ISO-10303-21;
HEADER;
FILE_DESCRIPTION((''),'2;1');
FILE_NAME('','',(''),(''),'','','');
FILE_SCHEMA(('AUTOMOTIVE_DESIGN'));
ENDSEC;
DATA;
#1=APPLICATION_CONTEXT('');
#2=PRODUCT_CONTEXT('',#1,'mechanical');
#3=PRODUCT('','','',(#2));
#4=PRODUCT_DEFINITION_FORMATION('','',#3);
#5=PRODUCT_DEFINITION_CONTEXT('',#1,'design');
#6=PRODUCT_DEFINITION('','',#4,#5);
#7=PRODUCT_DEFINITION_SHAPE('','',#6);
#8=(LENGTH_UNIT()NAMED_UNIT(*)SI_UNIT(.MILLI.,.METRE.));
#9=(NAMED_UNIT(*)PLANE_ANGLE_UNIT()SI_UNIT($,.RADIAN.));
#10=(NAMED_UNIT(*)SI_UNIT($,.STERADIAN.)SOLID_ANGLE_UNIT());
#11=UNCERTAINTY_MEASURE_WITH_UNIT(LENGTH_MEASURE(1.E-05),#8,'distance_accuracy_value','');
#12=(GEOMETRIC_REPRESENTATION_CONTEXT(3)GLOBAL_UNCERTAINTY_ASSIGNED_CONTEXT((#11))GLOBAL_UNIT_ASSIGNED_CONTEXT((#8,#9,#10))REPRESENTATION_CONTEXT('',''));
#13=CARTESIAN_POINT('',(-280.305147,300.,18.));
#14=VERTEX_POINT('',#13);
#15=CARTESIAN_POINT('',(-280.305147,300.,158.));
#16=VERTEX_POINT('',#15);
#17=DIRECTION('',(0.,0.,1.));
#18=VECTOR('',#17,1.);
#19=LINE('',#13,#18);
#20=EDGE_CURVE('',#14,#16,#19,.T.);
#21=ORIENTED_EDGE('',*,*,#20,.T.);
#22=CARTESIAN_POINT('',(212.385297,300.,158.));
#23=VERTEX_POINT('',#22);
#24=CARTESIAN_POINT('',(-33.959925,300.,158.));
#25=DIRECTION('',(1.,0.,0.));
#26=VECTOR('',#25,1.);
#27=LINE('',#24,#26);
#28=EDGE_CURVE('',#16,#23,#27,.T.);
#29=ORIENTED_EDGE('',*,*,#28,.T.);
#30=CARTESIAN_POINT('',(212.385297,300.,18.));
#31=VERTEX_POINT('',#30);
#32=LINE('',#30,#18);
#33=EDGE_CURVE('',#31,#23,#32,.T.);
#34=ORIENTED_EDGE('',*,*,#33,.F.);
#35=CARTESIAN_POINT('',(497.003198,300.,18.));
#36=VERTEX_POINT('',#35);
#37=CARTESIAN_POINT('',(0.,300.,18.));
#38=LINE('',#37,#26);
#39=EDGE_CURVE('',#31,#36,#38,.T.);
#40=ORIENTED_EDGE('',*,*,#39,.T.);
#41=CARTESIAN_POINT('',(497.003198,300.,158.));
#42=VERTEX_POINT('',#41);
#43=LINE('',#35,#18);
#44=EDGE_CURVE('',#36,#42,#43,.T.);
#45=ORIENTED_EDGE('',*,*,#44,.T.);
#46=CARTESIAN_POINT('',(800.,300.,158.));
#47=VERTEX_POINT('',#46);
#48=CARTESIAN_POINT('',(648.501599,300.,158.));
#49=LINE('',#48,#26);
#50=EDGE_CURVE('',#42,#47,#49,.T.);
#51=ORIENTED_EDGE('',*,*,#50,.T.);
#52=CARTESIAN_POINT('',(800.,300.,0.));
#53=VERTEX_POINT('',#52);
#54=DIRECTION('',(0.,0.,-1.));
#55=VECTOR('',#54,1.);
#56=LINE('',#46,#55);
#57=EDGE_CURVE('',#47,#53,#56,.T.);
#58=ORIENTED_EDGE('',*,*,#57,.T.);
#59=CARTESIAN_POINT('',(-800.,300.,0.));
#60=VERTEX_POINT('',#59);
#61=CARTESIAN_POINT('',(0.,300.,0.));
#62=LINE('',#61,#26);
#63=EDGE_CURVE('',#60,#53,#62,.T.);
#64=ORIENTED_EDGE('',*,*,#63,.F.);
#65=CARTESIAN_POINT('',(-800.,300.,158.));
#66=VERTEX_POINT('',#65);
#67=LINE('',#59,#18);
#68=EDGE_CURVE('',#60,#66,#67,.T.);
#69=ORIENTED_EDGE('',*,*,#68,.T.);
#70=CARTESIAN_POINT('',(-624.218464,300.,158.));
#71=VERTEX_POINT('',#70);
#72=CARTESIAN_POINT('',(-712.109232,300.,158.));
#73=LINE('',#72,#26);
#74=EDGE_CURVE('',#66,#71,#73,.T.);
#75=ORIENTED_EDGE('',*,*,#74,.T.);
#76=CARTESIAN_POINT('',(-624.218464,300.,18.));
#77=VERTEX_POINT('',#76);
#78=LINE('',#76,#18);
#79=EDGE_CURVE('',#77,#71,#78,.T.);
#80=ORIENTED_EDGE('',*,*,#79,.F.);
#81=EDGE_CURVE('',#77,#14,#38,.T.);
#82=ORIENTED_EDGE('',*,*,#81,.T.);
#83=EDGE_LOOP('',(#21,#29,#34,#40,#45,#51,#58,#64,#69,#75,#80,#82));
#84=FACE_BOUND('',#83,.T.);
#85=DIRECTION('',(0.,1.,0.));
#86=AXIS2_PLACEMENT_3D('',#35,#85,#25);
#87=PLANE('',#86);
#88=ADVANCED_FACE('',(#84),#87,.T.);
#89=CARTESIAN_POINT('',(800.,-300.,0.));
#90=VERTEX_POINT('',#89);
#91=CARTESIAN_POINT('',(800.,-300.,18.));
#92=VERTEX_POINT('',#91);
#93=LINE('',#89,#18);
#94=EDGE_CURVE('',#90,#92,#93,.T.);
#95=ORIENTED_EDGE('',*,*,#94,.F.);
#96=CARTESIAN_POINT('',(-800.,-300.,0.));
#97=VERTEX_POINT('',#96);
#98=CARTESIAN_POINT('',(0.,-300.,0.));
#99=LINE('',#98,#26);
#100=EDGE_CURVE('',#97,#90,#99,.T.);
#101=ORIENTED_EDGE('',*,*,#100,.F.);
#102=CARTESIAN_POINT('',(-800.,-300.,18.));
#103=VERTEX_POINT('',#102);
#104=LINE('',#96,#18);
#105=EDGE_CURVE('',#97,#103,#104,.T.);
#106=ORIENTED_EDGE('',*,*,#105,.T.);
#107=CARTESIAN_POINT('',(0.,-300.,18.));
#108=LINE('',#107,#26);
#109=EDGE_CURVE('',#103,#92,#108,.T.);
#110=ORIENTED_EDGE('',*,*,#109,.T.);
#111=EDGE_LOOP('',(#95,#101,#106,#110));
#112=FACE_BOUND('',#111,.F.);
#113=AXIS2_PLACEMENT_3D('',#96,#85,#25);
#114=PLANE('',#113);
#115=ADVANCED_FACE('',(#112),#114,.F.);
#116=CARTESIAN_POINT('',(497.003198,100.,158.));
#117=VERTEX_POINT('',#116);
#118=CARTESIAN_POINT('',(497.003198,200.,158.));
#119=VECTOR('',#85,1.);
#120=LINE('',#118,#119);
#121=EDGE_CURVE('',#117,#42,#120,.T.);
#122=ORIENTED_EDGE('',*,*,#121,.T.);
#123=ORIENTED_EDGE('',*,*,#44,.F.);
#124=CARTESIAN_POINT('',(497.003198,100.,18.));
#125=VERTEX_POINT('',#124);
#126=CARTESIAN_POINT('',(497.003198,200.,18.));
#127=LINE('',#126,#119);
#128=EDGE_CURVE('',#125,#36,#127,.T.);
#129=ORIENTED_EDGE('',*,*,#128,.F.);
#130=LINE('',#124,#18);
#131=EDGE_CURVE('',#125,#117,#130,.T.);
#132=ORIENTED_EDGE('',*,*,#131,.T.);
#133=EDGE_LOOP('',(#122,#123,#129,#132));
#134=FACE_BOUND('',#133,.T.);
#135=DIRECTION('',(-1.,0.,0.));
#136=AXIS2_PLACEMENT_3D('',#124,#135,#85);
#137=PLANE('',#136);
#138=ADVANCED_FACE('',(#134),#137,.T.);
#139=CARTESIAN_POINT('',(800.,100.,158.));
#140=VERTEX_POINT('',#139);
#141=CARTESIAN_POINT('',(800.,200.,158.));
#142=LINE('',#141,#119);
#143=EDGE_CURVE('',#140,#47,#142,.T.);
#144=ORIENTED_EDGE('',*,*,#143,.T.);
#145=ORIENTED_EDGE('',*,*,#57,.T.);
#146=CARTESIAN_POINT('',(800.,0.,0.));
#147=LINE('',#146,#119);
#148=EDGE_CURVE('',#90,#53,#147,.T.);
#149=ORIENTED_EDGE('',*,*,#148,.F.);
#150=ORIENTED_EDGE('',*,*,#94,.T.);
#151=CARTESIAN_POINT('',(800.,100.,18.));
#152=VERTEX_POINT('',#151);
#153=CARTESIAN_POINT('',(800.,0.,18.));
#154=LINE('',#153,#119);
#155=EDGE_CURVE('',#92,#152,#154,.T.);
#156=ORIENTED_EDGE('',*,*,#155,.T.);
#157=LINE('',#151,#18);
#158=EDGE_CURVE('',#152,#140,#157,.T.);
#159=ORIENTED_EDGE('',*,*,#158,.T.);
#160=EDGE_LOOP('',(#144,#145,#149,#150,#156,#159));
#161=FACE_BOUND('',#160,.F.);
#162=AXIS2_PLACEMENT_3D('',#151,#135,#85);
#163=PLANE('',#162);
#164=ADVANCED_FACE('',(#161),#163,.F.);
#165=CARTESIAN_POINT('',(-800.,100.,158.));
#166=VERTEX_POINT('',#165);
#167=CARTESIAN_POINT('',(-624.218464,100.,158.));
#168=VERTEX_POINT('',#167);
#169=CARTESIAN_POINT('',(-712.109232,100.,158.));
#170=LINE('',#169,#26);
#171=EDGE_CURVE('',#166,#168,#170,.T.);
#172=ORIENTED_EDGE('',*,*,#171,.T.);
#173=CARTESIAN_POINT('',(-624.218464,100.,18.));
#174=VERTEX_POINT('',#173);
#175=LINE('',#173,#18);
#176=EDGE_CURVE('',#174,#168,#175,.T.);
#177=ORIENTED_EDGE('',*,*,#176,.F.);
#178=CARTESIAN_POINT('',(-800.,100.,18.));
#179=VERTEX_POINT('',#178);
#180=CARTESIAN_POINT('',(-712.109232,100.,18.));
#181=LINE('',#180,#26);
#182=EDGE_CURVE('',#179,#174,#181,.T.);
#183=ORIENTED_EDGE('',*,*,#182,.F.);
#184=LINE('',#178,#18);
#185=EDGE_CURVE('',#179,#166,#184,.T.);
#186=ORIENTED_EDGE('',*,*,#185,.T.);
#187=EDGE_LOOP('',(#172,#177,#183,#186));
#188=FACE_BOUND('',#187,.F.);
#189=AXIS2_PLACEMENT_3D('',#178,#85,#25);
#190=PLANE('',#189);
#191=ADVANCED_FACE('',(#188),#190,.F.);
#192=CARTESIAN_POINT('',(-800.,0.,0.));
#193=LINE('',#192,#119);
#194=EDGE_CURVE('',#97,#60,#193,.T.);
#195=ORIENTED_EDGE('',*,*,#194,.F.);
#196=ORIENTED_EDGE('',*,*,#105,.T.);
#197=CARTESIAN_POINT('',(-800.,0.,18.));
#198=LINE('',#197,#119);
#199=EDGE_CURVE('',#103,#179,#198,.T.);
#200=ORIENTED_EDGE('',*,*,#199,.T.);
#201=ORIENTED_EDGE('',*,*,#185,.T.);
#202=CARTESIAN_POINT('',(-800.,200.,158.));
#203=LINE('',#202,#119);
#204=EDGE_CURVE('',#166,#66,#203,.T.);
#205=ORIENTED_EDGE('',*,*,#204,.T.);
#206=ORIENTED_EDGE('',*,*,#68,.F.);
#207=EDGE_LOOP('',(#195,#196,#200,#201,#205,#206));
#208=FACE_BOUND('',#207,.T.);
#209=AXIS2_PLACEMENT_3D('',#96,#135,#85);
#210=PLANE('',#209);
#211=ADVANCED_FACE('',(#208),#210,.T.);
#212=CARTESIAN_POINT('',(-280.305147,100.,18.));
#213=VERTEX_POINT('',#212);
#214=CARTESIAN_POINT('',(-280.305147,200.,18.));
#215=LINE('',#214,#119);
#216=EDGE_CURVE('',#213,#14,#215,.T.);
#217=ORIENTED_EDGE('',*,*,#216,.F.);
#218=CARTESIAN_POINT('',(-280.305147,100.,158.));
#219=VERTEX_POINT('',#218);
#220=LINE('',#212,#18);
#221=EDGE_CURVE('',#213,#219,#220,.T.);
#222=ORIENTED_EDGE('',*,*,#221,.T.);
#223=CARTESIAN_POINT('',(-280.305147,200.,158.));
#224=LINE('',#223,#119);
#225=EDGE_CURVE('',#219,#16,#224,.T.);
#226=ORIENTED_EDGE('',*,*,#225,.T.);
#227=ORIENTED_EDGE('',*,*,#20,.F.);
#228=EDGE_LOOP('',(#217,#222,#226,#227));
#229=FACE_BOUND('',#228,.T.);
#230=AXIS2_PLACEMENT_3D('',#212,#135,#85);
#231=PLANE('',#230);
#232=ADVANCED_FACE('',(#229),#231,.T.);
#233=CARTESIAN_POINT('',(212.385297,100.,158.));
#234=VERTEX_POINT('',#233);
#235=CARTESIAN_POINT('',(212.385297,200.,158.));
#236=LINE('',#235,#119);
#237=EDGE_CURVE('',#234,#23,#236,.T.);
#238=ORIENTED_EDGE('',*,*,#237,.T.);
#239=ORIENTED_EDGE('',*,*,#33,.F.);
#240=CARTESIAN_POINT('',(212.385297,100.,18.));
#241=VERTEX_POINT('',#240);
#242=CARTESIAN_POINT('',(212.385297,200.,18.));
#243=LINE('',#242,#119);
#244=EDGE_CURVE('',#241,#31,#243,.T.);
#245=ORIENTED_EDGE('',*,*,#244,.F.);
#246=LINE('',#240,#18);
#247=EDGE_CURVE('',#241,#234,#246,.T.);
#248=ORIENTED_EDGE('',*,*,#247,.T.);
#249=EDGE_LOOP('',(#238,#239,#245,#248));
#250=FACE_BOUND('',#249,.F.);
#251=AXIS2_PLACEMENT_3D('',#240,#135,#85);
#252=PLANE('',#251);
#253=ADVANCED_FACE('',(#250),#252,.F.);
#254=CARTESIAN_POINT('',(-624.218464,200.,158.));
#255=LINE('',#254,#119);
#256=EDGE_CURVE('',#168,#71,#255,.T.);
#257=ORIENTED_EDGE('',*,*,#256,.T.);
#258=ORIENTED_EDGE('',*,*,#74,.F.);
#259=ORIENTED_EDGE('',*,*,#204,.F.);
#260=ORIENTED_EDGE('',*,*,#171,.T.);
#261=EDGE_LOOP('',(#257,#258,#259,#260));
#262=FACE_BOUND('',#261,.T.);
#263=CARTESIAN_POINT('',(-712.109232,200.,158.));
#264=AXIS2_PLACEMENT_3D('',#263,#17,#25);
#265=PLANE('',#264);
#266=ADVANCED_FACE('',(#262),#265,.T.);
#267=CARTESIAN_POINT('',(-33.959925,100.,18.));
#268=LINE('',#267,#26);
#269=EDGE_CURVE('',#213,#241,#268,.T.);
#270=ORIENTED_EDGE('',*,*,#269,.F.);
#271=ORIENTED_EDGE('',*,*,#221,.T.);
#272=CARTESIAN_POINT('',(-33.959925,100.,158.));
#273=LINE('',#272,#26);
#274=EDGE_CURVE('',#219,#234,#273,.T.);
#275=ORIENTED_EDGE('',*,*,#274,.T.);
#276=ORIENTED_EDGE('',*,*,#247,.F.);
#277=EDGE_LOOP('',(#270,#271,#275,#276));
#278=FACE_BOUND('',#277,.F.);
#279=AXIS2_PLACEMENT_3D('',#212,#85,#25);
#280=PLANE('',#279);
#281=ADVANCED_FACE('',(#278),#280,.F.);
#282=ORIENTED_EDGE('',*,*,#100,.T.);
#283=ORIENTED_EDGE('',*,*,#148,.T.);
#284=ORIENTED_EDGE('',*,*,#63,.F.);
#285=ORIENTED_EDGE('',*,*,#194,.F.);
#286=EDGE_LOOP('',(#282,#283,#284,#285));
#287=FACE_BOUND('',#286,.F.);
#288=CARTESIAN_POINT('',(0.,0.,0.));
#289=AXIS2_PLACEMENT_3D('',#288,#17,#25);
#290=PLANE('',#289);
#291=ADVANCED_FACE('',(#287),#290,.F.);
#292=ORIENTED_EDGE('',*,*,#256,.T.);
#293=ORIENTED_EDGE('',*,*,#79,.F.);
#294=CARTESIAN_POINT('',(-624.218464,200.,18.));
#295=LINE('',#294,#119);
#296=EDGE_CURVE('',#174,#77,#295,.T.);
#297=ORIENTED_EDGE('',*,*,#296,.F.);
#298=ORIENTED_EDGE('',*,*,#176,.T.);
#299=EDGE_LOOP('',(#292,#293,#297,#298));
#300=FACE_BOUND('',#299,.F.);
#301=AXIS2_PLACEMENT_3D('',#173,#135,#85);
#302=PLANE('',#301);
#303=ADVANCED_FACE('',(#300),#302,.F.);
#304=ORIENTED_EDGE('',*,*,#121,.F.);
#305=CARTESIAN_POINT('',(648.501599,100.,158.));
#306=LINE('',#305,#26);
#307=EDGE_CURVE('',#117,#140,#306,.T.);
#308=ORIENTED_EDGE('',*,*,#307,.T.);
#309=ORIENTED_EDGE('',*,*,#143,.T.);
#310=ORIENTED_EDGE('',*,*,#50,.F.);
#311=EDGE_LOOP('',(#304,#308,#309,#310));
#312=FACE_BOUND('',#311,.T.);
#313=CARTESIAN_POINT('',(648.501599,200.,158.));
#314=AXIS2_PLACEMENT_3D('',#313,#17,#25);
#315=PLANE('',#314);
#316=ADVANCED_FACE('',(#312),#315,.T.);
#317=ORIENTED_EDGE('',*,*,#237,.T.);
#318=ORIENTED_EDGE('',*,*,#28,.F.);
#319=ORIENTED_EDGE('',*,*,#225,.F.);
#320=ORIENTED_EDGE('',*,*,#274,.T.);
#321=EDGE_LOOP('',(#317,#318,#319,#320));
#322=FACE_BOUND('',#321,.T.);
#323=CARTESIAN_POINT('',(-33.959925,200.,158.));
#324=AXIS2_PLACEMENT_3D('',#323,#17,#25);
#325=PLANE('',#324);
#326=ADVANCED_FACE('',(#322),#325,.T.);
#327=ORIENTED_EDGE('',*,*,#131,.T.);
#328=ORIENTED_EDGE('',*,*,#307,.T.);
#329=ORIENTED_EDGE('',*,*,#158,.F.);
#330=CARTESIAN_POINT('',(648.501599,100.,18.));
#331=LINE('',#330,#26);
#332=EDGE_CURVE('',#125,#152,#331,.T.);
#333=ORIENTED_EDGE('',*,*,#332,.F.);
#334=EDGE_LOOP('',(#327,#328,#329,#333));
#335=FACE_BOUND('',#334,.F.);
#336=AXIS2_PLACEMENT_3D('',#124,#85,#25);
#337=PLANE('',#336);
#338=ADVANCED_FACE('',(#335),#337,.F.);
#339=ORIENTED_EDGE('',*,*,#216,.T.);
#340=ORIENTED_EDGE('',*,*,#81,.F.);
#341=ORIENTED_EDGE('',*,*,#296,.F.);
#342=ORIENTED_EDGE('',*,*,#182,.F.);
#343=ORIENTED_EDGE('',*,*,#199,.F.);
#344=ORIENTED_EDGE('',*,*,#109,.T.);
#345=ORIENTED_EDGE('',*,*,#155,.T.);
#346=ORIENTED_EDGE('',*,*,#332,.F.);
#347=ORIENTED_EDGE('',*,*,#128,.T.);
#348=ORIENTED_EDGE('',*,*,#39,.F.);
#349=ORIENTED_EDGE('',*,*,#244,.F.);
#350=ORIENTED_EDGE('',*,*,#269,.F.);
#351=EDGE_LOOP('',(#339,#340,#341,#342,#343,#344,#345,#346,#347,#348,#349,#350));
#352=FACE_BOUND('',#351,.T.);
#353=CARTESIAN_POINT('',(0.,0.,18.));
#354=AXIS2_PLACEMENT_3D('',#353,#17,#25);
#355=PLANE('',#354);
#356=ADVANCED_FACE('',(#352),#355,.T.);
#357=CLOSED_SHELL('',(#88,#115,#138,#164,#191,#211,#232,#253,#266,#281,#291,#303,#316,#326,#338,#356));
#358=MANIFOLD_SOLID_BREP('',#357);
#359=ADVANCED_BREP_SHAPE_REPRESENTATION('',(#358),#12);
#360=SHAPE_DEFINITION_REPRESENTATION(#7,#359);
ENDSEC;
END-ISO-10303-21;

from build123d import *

# Parameters (mm, degrees)
F0_W     = 1600
F0_H     = 600
F1_DEPTH = 18
F2_W     = 302.996802
F2_H     = 200
F2_W_2   = 492.690444
F2_W_3   = 175.781536
F3_DEPTH = 140


with BuildPart() as f1:
    # F0 (on Top) → F1 (new body)
    with BuildSketch(Plane.XY):
        Rectangle(F0_W, F0_H)
    extrude(amount=F1_DEPTH)

    # F2 (on face) → F3 (join)
    with BuildSketch(Plane.XY.offset(18)):
        with Locations((648.501599, 200)):
            Rectangle(F2_W, F2_H)
        with Locations((-33.959925, 200)):
            Rectangle(F2_W_2, F2_H)
        with Locations((-712.109232, 200)):
            Rectangle(F2_W_3, F2_H)
    extrude(amount=F3_DEPTH)


solid = f1.part
